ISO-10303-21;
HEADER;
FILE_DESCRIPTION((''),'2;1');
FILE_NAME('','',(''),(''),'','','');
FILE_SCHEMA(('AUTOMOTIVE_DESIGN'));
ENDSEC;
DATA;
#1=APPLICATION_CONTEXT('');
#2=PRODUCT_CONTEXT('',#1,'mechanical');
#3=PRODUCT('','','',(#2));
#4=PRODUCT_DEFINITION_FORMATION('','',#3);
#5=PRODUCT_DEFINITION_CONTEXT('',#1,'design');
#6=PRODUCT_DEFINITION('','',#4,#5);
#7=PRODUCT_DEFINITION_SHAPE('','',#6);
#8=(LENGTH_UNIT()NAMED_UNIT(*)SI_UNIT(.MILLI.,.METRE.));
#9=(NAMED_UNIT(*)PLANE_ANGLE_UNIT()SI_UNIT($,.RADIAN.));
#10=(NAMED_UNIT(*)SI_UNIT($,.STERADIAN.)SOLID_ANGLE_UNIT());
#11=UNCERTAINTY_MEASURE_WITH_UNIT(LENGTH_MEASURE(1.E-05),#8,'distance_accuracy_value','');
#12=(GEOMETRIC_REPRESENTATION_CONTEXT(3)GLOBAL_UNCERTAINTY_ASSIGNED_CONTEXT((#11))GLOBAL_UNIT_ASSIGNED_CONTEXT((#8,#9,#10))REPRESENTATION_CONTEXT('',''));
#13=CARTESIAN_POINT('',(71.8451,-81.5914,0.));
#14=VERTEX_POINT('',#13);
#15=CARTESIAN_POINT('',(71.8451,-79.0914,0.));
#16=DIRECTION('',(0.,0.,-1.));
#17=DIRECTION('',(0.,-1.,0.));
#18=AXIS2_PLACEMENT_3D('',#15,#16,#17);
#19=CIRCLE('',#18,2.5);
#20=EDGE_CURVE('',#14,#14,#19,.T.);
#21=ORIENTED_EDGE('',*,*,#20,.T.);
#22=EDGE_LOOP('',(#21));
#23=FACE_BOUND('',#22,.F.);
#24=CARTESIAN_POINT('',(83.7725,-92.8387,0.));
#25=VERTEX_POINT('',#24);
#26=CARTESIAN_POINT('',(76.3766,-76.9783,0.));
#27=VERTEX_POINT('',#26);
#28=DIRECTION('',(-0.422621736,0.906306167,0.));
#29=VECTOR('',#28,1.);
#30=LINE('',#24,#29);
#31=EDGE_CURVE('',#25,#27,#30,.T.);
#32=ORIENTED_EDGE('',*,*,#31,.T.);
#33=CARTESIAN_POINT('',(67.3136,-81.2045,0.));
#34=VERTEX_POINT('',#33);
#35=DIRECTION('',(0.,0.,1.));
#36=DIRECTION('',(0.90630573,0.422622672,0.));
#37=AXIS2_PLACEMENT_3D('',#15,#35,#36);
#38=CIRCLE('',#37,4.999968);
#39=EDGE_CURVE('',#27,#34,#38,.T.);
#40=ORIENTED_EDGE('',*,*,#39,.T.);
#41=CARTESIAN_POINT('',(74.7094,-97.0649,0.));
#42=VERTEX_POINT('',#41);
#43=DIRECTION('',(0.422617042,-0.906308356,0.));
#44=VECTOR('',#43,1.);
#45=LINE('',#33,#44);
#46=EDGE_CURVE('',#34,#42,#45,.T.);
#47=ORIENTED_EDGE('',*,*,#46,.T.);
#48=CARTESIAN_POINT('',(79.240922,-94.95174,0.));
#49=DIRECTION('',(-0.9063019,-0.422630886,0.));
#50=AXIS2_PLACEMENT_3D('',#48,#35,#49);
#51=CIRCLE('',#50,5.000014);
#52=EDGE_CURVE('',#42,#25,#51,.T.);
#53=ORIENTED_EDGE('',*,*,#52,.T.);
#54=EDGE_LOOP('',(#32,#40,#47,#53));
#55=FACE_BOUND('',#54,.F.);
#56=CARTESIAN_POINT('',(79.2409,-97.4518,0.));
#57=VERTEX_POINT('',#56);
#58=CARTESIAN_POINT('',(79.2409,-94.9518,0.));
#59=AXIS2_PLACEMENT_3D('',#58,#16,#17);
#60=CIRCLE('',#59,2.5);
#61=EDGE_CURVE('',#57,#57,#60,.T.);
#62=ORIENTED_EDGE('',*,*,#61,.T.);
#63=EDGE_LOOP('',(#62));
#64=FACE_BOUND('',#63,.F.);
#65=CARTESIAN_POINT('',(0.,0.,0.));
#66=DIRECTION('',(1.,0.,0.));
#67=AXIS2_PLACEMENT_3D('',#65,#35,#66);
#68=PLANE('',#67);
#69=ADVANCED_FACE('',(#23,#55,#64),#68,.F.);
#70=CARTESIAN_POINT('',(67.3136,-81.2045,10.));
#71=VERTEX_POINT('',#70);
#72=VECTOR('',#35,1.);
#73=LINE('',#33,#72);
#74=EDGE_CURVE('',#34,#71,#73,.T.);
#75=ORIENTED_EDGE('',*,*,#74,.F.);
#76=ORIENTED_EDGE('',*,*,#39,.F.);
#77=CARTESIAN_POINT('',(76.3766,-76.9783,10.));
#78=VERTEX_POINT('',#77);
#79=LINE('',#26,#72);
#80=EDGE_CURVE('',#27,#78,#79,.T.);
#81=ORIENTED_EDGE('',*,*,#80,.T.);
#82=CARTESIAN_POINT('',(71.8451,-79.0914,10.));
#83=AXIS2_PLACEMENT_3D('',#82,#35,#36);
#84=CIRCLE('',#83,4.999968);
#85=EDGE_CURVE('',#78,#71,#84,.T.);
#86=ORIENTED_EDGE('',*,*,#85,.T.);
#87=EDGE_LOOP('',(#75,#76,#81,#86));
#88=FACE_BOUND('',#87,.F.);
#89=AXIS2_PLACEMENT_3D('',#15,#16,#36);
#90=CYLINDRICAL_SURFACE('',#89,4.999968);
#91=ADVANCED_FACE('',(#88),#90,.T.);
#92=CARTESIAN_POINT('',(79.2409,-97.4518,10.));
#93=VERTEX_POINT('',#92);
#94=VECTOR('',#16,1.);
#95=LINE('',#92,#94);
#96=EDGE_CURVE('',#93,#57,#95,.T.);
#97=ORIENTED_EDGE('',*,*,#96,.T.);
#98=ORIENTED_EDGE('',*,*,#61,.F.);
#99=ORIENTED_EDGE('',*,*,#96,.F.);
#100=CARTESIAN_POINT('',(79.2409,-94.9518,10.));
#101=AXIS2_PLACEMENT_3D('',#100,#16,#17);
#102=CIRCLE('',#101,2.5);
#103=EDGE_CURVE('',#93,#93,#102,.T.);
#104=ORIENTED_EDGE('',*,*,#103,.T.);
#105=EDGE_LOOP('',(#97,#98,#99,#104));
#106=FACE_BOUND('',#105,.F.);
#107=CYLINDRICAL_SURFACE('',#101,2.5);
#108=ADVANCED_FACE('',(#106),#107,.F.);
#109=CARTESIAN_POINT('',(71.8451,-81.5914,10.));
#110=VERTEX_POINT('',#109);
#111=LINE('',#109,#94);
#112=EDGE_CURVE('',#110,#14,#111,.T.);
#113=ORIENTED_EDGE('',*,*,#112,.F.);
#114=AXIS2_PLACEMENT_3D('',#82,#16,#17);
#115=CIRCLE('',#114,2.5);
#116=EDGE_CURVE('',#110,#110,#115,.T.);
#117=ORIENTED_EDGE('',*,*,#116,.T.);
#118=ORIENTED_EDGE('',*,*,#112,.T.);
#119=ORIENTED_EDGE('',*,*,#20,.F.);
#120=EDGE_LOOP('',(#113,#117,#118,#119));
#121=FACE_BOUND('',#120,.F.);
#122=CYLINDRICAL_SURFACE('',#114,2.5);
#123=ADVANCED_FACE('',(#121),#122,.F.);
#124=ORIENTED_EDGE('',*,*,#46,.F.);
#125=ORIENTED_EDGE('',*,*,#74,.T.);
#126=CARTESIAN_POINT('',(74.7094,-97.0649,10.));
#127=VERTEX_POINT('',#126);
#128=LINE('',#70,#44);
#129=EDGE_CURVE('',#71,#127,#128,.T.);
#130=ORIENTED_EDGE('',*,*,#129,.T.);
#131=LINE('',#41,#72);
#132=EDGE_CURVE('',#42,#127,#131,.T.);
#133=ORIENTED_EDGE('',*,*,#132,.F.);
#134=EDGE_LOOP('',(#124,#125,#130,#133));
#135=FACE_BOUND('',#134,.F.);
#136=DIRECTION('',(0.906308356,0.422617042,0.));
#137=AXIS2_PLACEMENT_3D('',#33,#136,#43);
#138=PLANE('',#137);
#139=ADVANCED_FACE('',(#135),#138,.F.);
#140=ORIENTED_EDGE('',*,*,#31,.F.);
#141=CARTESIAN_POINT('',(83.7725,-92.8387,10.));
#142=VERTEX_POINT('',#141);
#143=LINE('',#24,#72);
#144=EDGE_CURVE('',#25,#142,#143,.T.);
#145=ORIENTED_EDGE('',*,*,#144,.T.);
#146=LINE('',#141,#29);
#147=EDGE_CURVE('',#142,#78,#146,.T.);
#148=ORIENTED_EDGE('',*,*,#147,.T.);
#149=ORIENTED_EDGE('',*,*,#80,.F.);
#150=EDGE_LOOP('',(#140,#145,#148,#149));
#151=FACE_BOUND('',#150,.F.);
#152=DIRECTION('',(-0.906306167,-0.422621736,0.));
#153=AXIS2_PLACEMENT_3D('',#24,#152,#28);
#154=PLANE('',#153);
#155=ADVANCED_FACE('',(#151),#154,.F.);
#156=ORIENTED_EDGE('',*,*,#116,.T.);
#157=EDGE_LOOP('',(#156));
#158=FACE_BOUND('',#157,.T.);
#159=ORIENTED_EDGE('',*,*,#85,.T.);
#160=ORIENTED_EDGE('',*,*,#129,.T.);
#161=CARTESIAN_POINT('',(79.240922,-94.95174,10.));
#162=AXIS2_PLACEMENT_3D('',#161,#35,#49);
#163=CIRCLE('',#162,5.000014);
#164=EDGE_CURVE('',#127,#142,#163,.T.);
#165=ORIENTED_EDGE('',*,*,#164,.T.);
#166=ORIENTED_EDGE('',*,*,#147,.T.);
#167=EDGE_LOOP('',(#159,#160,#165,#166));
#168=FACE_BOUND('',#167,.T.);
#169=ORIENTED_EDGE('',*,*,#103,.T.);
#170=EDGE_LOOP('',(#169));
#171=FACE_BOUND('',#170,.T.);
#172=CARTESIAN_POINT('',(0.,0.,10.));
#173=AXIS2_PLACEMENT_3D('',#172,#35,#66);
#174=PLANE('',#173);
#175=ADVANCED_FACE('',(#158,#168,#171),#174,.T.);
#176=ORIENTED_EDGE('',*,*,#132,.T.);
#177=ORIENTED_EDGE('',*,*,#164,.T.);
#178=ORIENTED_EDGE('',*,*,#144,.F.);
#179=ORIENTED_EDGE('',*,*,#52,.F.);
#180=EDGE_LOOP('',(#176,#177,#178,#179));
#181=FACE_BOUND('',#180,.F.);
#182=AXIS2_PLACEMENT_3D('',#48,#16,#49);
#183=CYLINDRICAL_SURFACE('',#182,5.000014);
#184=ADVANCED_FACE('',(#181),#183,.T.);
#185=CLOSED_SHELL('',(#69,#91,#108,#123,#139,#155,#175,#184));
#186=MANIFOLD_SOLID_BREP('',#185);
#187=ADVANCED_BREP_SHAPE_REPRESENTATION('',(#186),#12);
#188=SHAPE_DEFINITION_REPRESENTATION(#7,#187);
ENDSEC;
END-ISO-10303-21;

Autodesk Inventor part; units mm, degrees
ref_plane "YZ Plane" through (0, 0, 0) normal (1, 0, 0) x (0, 1, 0)
ref_plane "XZ Plane" through (0, 0, 0) normal (0, 1, 0) x (-1, 0, 0)
ref_plane "XY Plane" through (0, 0, 0) normal (0, 0, 1) x (1, 0, 0)
sketch "Sketch3" plane through (0, 0, 0) normal (0, 0, 1) x (1, 0, 0)
  line L0 (71.8451, -79.0914) -> (79.2409, -94.9518) construction
  line L1 (67.3136, -81.2045) -> (74.7094, -97.0649)
  line L2 (83.7725, -92.8387) -> (76.3766, -76.9783)
  arc A0 (76.3766, -76.9783) -> (67.3136, -81.2045) centre (71.8451, -79.0914) ccw
  arc A1 (74.7094, -97.0649) -> (83.7725, -92.8387) centre (79.2409, -94.9518) ccw
  line L3 (79.2409, -94.9518) -> (71.8451, -79.0914)
  point P0 (0, 0)
  point P1 (75.543, -87.0216)
  dimension "d16" = 10
extrude "Extrusion2" add sketch "Sketch3" along normal blind 10
sketch "Sketch4" plane through (0, 0, 10) normal (0, 0, 1) x (1, 0, 0)
  line L0 (67.3136, -81.2045) -> (74.7094, -97.0649) projected
  arc A0 (74.7094, -97.0649) -> (83.7725, -92.8387) centre (79.2409, -94.9518) ccw projected
  line L1 (83.7725, -92.8387) -> (76.3766, -76.9783) projected
  arc A1 (76.3766, -76.9783) -> (67.3136, -81.2045) centre (71.8451, -79.0914) ccw projected
  point P0 (0, 0)
hole "Hole1" at (71.8451, -79.0914, 10) at (79.2409, -94.9518, 10) direction (0, 0, -1) diameter 5 end through all
properties part number "avstandsstykke"
